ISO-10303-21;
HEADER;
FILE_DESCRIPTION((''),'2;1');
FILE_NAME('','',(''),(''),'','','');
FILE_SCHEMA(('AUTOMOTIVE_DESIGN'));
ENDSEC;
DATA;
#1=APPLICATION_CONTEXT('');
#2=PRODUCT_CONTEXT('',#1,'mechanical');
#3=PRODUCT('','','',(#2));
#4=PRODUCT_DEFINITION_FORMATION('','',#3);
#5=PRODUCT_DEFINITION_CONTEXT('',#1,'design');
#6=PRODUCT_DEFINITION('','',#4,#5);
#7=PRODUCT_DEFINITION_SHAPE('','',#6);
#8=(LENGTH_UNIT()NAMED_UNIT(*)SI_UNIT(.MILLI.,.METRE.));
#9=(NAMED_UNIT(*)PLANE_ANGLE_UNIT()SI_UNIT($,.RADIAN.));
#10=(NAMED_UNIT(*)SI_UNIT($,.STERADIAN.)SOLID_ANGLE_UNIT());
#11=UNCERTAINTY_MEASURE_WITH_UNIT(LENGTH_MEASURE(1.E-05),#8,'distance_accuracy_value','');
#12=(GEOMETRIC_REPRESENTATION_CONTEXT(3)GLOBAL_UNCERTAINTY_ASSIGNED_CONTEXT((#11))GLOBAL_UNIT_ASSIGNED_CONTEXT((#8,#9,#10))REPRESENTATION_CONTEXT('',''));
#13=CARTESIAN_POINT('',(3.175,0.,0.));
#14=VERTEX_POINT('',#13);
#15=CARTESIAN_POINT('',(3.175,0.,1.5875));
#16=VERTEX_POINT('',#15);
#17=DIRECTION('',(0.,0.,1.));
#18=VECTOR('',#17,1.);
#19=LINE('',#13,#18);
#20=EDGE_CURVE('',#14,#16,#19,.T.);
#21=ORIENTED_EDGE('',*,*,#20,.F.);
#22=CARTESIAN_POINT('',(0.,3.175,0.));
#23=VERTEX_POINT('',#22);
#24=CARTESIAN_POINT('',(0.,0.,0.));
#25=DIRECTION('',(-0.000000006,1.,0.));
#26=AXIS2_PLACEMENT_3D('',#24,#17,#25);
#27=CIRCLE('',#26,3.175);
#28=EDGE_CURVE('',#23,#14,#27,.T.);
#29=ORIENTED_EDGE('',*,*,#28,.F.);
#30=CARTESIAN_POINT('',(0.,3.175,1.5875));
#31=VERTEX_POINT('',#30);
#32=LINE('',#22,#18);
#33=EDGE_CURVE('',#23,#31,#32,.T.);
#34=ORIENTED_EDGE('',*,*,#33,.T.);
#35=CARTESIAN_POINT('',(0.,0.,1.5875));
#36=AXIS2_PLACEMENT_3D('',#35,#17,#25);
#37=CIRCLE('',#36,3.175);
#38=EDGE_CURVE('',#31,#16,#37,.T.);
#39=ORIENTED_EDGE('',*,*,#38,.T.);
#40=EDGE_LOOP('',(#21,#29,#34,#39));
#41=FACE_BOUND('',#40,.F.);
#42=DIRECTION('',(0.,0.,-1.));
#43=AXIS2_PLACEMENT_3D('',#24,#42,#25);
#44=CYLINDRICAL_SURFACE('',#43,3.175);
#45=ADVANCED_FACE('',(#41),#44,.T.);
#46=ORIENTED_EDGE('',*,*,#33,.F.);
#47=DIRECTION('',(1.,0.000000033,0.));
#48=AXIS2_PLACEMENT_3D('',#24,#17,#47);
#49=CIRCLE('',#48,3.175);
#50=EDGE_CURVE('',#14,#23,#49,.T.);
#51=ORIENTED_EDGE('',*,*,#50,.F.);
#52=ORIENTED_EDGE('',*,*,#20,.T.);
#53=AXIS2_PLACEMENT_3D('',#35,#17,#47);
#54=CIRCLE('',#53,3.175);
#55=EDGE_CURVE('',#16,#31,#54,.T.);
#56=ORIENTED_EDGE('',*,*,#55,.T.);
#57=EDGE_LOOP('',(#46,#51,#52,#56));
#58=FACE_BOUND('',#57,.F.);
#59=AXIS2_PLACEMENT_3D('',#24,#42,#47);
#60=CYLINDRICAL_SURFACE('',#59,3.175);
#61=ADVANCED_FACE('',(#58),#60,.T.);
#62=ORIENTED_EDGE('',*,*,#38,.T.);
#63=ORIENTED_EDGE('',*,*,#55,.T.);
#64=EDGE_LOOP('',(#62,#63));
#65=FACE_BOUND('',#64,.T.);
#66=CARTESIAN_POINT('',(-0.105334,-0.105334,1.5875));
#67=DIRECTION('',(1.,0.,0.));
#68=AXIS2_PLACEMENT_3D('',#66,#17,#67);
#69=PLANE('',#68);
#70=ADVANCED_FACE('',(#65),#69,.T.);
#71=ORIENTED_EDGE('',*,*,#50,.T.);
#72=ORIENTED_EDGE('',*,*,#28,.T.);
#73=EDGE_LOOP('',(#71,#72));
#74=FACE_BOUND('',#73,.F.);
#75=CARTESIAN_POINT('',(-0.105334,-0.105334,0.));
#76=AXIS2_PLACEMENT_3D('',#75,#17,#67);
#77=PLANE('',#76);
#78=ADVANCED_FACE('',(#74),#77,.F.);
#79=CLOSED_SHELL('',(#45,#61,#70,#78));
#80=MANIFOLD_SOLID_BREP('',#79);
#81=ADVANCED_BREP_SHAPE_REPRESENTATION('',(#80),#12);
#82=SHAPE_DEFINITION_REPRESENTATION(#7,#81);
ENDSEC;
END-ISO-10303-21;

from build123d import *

# Parameters (mm, degrees)
F1_DEPTH = 1.5875


with BuildPart() as f1:
    # F0 (on Top) → F1 (new body)
    with BuildSketch(Plane.XY):
        with BuildLine():
            Line((3.175, 0), (0, 0))
            Line((0, 0), (0, 3.175))
            ThreePointArc((0, 3.175), (-2.245064, -2.245064), (3.175, 0))
        make_face()
        with BuildLine():
            Line((0, 3.175), (0, 0))
            Line((0, 0), (3.175, 0))
            ThreePointArc((3.175, 0), (2.245064, 2.245064), (0, 3.175))
        make_face()
    extrude(amount=F1_DEPTH)


solid = f1.part
